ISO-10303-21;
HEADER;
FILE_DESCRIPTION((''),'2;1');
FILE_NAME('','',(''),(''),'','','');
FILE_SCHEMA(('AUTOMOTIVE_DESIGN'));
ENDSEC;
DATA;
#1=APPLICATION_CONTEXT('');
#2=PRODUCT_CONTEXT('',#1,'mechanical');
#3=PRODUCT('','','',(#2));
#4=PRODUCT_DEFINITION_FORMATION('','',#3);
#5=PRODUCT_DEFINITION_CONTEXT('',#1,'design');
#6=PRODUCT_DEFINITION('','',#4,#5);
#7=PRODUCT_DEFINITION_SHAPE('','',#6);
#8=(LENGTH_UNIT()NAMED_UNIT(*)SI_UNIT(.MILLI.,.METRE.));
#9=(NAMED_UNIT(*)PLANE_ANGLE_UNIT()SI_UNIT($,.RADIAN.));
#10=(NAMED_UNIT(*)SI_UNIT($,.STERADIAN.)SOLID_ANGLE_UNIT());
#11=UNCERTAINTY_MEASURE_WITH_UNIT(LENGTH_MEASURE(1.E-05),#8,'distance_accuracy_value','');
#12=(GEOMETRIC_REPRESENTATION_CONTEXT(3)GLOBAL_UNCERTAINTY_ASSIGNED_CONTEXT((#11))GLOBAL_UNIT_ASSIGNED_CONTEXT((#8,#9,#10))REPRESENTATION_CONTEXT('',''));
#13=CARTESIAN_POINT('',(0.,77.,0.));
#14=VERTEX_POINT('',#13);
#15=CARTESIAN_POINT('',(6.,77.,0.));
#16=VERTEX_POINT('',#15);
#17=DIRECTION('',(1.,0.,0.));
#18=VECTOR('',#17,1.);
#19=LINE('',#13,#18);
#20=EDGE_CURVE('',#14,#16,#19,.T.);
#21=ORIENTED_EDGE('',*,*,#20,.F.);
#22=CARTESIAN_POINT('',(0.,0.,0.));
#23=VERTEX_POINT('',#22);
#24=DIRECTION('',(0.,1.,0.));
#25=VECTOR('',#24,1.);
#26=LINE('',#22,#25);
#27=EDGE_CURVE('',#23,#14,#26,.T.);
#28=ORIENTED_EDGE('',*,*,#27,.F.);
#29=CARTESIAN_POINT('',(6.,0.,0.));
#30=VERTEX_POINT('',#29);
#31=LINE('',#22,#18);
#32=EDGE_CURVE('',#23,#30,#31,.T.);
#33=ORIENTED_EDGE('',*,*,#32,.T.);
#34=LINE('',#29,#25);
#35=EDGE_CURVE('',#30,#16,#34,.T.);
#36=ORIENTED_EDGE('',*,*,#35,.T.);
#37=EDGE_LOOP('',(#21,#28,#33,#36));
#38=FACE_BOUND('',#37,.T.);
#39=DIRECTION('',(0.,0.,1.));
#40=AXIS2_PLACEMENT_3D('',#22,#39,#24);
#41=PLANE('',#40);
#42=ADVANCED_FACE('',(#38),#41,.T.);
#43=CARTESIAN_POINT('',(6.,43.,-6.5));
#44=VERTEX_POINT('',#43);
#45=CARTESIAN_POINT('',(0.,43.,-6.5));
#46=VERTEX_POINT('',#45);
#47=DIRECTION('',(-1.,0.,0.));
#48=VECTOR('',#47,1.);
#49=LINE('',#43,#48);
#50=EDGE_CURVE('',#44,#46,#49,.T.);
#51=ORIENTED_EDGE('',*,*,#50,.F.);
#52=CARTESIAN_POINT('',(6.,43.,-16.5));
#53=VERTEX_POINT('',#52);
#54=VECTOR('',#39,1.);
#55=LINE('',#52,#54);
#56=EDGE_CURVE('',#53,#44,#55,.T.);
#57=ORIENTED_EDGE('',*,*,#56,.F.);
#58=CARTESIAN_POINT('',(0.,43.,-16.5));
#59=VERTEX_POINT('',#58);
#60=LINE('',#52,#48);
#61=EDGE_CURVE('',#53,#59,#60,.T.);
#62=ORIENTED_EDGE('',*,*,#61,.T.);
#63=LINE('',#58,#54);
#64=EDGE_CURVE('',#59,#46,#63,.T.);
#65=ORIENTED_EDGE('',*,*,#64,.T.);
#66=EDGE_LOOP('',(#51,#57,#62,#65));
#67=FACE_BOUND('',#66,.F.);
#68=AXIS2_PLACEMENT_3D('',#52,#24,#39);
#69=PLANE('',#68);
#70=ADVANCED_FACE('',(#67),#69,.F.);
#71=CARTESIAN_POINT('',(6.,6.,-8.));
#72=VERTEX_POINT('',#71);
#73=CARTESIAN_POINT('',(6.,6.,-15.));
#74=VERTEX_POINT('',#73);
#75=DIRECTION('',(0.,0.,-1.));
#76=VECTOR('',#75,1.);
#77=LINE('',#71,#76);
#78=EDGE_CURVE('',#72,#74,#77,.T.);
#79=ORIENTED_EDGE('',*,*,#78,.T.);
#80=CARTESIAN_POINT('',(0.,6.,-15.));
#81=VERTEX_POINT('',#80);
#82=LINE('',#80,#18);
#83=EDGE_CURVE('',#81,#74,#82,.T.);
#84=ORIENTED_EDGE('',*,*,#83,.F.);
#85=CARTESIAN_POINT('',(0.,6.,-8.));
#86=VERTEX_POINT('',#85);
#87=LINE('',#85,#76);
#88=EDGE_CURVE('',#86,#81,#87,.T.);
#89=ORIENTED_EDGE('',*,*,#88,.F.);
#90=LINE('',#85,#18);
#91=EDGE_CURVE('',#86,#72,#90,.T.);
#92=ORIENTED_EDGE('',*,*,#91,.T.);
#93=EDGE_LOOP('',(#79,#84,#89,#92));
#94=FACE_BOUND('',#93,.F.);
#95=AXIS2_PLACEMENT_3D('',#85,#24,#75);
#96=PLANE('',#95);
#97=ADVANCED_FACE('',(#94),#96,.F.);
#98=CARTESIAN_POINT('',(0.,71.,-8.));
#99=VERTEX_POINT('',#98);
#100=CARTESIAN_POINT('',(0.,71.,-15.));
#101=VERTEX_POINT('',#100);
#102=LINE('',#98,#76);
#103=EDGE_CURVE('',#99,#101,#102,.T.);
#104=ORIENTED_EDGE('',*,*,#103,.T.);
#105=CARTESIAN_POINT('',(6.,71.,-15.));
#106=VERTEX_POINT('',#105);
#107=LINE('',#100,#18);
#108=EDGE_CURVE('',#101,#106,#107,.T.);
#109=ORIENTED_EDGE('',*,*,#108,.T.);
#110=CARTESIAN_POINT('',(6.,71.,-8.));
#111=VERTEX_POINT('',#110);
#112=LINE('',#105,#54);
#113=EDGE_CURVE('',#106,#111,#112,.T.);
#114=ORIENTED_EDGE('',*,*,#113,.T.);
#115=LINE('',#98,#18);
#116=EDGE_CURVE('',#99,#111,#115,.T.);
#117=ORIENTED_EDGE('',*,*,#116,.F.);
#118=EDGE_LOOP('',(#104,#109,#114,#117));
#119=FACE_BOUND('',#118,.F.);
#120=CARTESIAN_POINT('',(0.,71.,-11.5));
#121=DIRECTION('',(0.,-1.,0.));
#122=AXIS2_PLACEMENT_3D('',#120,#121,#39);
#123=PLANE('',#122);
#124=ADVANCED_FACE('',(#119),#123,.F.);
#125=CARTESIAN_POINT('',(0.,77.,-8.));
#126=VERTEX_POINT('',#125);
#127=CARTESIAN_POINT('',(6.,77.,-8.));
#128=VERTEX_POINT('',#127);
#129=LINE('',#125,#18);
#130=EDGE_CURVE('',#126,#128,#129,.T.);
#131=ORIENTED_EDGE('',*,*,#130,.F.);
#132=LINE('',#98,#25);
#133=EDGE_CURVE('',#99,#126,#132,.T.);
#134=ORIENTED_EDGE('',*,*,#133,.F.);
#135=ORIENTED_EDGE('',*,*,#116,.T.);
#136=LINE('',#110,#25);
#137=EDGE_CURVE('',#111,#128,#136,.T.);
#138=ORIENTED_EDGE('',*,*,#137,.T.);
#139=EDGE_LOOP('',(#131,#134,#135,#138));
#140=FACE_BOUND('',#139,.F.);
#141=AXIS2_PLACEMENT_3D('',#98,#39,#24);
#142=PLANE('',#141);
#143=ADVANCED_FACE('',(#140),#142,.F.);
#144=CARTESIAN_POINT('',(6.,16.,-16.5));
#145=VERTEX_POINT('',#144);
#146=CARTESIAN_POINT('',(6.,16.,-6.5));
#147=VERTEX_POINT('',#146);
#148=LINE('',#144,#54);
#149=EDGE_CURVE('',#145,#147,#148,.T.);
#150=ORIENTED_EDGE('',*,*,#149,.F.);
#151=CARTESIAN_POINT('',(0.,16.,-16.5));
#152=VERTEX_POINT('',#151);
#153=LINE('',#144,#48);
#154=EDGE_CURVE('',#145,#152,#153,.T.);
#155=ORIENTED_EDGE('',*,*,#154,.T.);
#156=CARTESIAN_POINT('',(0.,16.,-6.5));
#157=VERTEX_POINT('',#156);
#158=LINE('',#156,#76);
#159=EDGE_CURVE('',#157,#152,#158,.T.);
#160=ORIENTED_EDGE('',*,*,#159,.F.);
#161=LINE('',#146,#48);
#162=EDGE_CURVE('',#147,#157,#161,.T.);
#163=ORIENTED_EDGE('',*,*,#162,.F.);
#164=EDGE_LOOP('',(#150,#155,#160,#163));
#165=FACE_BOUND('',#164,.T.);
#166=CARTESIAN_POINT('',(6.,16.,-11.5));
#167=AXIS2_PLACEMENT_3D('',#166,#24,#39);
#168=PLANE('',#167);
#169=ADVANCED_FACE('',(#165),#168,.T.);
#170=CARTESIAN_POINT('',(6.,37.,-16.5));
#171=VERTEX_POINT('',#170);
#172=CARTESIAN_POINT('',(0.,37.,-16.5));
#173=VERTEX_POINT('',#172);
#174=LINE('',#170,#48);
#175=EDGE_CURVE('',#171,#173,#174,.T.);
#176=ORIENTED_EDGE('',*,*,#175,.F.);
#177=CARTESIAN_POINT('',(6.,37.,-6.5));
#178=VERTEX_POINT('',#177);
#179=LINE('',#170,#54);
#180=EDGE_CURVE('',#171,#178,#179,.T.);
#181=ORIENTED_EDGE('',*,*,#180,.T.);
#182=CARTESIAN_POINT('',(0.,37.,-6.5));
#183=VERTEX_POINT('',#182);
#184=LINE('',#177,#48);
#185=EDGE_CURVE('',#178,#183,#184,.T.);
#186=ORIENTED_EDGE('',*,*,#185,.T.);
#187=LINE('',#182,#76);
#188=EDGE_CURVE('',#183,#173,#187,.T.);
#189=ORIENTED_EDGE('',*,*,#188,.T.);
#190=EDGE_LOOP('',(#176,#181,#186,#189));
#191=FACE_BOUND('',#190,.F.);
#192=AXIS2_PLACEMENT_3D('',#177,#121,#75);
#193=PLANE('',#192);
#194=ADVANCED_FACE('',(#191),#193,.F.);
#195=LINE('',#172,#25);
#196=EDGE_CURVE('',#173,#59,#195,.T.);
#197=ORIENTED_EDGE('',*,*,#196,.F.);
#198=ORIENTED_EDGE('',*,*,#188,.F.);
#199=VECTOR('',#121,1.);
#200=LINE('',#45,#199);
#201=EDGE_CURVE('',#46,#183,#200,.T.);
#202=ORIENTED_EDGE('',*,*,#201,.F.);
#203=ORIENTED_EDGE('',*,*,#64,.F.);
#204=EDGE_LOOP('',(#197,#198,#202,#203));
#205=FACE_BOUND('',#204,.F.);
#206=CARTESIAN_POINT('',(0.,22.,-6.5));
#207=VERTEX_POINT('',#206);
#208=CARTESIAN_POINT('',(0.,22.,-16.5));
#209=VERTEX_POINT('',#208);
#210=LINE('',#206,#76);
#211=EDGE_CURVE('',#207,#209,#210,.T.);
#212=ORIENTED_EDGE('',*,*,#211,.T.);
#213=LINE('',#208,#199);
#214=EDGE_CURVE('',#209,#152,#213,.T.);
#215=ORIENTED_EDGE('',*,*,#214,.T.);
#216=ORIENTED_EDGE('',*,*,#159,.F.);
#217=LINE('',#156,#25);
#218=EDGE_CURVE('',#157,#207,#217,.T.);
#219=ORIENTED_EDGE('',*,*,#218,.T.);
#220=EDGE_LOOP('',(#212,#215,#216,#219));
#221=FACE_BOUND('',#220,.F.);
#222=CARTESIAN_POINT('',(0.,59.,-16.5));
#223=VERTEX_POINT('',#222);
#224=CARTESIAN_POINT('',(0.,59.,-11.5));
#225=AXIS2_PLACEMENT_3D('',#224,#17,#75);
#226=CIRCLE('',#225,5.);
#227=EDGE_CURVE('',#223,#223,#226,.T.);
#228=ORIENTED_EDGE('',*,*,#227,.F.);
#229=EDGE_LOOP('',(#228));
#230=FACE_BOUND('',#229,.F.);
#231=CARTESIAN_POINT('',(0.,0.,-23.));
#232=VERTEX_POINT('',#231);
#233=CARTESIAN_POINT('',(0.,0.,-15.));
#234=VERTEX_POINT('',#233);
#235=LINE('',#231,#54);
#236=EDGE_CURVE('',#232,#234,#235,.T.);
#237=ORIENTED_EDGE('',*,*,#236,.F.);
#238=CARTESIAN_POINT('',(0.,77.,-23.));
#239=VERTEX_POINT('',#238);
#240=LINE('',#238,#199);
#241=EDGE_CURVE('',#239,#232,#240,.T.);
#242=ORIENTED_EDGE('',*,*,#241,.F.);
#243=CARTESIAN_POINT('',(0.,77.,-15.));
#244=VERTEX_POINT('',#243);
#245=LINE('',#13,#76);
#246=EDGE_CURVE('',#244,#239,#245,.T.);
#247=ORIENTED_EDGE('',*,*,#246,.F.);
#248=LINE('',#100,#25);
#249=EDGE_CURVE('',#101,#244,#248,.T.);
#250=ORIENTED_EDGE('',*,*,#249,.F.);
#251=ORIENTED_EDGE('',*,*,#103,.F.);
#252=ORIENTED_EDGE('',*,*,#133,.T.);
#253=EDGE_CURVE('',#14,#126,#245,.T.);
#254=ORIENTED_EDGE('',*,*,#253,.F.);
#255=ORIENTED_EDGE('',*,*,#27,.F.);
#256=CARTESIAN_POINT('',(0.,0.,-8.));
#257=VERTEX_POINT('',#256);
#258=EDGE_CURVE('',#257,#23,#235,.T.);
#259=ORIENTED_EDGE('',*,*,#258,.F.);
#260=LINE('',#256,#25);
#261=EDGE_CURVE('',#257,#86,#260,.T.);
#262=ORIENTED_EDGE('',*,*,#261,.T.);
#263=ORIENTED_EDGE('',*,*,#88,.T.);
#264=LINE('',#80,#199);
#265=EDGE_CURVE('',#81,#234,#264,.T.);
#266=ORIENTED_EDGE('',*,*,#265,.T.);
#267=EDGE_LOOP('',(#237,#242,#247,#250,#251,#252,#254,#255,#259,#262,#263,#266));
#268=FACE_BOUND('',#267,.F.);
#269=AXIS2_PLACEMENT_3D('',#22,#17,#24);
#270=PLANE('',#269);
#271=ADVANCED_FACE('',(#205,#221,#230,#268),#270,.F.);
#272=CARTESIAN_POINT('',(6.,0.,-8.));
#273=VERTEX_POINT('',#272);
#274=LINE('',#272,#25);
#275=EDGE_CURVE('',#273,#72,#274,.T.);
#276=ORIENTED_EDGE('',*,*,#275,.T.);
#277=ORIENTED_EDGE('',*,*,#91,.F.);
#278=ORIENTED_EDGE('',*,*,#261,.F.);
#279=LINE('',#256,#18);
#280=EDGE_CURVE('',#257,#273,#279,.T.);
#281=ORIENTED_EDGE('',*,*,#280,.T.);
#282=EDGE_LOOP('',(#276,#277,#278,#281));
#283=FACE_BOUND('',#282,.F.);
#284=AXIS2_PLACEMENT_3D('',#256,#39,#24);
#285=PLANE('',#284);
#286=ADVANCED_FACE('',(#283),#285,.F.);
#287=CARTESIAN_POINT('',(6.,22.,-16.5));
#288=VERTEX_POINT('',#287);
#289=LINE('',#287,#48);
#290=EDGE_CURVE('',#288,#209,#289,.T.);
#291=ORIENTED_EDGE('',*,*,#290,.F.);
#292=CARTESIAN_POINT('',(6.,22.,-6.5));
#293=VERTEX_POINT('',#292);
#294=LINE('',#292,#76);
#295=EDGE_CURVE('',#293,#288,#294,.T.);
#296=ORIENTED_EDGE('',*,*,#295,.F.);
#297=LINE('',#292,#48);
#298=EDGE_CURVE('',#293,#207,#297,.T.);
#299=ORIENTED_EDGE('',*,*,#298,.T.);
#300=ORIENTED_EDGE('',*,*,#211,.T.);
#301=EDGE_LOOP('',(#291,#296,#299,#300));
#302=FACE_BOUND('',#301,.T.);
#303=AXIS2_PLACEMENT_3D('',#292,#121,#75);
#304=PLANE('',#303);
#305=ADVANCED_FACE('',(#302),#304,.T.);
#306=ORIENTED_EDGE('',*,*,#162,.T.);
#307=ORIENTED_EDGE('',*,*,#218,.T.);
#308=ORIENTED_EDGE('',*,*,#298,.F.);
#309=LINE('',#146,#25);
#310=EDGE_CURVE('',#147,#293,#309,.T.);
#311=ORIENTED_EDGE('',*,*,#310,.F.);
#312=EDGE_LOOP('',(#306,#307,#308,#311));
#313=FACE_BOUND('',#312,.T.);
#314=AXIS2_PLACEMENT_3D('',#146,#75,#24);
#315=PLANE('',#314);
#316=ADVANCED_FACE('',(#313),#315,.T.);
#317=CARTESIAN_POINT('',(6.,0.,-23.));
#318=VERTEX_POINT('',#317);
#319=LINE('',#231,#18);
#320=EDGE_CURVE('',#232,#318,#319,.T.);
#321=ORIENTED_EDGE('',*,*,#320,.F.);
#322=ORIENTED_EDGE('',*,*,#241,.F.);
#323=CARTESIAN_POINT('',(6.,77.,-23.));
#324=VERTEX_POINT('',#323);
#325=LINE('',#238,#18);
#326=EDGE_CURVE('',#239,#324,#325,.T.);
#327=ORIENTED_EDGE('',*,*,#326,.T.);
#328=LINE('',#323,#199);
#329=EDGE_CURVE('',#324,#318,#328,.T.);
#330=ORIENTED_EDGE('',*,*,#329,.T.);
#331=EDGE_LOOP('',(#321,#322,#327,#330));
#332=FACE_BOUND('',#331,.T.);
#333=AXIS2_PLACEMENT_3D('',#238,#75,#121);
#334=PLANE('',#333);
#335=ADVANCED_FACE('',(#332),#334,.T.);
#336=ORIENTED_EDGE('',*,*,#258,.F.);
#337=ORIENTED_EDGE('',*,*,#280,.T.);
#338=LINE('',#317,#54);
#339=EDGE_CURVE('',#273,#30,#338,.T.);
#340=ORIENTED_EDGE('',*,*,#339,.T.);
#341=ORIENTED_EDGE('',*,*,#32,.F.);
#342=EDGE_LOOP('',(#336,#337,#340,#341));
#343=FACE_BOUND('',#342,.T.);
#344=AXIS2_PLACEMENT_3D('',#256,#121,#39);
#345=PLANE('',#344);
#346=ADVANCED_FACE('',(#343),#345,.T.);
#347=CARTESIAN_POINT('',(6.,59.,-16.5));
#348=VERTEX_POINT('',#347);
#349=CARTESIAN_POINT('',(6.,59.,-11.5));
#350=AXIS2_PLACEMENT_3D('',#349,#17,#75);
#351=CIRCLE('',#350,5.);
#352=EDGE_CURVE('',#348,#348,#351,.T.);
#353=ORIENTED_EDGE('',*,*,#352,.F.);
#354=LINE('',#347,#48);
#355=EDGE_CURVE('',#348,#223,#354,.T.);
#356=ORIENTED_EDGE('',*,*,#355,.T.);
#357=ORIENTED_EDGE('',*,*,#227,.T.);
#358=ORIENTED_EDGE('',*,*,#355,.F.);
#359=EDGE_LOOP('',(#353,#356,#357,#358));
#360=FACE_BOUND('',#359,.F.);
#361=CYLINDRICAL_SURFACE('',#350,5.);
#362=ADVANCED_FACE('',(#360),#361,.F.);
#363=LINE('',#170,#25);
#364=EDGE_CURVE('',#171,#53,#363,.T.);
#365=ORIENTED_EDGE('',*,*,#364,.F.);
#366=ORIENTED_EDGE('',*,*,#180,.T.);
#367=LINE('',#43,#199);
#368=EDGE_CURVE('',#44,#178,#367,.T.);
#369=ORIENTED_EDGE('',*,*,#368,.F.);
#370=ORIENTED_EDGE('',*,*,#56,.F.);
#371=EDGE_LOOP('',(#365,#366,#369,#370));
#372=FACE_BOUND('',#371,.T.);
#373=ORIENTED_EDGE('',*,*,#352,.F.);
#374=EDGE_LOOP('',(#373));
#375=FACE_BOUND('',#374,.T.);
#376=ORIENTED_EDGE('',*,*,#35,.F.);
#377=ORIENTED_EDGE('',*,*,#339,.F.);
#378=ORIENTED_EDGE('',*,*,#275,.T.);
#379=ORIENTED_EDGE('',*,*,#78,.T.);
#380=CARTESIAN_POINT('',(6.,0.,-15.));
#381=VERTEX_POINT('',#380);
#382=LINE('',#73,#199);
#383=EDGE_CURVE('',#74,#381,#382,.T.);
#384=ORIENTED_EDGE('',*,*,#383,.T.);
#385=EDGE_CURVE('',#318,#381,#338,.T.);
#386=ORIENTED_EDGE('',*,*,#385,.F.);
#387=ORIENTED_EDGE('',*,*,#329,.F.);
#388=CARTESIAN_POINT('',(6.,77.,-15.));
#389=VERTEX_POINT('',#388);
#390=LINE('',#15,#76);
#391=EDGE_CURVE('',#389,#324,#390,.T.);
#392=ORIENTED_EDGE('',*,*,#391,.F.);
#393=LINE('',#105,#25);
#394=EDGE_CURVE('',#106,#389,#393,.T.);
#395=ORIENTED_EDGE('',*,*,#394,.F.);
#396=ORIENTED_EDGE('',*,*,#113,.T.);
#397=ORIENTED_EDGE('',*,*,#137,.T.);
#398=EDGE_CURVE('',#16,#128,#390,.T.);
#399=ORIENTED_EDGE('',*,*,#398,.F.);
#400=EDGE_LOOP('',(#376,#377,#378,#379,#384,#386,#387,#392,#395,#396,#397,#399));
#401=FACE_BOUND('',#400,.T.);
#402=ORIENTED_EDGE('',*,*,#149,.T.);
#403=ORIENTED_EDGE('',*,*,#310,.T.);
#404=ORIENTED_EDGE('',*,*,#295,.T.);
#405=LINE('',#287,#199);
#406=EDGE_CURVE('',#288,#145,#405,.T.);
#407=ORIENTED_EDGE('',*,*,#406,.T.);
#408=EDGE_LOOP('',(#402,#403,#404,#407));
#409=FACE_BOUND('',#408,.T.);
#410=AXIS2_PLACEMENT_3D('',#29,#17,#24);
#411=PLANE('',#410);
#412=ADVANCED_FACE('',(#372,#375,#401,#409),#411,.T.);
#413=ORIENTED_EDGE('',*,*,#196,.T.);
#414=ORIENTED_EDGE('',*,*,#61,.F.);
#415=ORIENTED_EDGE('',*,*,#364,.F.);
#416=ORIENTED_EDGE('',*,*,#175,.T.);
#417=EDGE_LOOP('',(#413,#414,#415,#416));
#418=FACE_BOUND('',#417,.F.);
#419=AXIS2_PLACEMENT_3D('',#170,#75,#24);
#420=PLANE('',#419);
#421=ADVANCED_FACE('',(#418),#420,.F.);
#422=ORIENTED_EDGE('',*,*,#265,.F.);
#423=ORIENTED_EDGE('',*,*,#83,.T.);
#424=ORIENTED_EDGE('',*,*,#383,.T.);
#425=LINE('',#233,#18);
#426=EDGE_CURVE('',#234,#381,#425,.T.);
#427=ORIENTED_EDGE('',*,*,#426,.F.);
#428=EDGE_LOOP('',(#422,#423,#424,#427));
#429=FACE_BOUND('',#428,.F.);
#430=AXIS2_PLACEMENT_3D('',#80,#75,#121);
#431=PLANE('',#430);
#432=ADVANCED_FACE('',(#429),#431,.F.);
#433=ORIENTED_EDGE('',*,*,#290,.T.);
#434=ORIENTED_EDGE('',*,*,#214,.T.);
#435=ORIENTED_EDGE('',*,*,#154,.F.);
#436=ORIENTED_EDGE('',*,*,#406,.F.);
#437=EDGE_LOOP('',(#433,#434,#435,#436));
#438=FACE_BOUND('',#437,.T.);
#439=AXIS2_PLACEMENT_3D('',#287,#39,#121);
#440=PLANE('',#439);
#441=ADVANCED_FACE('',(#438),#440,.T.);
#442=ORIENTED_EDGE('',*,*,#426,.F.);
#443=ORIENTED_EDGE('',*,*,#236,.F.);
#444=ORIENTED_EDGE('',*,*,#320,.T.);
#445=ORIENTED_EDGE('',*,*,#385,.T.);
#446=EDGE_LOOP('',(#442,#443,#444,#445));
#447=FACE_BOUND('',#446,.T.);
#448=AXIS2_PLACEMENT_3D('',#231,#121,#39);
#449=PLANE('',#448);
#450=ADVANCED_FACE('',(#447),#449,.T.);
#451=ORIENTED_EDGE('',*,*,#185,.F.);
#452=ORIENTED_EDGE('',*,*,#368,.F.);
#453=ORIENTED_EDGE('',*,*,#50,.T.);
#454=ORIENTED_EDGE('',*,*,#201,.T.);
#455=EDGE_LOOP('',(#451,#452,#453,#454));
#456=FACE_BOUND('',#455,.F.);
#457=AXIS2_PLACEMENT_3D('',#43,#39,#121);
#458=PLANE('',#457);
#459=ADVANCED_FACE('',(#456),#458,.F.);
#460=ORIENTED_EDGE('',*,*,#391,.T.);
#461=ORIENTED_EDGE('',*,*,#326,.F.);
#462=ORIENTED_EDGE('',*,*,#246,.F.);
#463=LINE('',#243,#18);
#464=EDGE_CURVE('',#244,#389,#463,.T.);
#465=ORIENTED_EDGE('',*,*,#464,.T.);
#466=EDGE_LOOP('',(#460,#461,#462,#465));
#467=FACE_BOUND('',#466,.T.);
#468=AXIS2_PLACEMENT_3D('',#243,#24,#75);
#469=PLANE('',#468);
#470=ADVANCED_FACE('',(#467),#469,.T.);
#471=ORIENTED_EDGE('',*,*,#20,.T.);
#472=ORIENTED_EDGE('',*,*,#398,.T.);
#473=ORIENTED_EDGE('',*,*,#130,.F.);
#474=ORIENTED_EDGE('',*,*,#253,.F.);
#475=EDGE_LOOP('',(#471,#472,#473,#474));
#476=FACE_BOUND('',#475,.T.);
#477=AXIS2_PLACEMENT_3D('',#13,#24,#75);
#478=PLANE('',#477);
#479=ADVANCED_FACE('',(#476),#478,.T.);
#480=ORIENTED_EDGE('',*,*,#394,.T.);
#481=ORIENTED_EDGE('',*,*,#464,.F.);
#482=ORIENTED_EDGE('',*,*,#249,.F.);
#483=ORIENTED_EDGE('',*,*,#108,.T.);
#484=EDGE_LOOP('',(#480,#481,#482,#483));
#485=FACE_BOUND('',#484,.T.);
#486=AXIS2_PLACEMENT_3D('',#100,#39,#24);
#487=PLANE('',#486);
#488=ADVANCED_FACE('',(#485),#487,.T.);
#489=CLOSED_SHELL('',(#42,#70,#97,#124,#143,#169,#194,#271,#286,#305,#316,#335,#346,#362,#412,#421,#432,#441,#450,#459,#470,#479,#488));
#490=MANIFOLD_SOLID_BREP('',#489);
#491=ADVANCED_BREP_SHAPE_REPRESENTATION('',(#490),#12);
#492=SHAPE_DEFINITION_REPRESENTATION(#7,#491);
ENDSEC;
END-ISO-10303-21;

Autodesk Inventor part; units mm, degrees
ref_plane "YZ Plane" through (0, 0, 0) normal (1, 0, 0) x (0, 1, 0)
ref_plane "XZ Plane" through (0, 0, 0) normal (0, 1, 0) x (-1, 0, 0)
ref_plane "XY Plane" through (0, 0, 0) normal (0, 0, 1) x (1, 0, 0)
sketch "Sketch1" plane through (0, 0, 0) normal (1, 0, 0) x (0, 1, 0)
  line L0 (0, 0) -> (77, 0)
  line L1 (77, 0) -> (77, -23)
  line L2 (77, -23) -> (0, -23)
  line L3 (0, -23) -> (0, 0)
  line L4 (71, -11.5) -> (71, -8)
  line L5 (71, -8) -> (71, -15)
  line L6 (71, -15) -> (77, -15)
  line L7 (71, -8) -> (77, -8)
  line L8 (0, -8) -> (6, -8)
  line L9 (6, -8) -> (6, -15)
  line L10 (6, -15) -> (0, -15)
  circle A0 centre (59, -11.5) radius 5
  dimension "d0" = 77
  dimension "d1" = 23
  dimension "d3" = 3.5
  dimension "d4" = 7
  dimension "d5" = 6
  dimension "d6" = 7
  dimension "d10" = 10
extrude "Extrusion1" add sketch "Sketch1" along normal blind 6 contours L0 L1 L7 L4 L5 L6 L2 L3 L10 L9 L8 | A0
sketch "Sketch2" plane through (6, 0, 0) normal (1, 0, 0) x (0, 0, -1)
  line L0 (15, 71) -> (8, 71) projected
  circle A0 centre (11.5, 59) radius 5
  point P0 (0, 0)
  dimension "d12" = 10
extrude "Extrusion2" cut sketch "Sketch2" against normal blind 6
sketch "Sketch3" plane through (6, 0, 0) normal (1, 0, 0) x (0, 0, -1)
  line L0 (8, 6) -> (15, 6) projected
  line L1 (11.5, 16) -> (6.5, 16)
  line L2 (6.5, 16) -> (6.5, 22)
  line L3 (6.5, 22) -> (16.5, 22)
  line L4 (16.5, 22) -> (16.5, 16)
  line L5 (16.5, 16) -> (11.5, 16)
  line L6 (11.5, 37) -> (16.5, 37)
  line L7 (16.5, 37) -> (16.5, 43)
  line L8 (16.5, 43) -> (6.5, 43)
  line L9 (6.5, 43) -> (6.5, 37)
  line L10 (6.5, 37) -> (11.5, 37)
  point P0 (0, 0)
  dimension "d16" = 5
  dimension "d17" = 6
  dimension "d18" = 10
  dimension "d19" = 6
  dimension "d21" = 5
  dimension "d22" = 6
  dimension "d23" = 10
  dimension "d24" = 6
extrude "Extrusion3" cut sketch "Sketch3" against normal blind 6
properties part number "g_arm3"
